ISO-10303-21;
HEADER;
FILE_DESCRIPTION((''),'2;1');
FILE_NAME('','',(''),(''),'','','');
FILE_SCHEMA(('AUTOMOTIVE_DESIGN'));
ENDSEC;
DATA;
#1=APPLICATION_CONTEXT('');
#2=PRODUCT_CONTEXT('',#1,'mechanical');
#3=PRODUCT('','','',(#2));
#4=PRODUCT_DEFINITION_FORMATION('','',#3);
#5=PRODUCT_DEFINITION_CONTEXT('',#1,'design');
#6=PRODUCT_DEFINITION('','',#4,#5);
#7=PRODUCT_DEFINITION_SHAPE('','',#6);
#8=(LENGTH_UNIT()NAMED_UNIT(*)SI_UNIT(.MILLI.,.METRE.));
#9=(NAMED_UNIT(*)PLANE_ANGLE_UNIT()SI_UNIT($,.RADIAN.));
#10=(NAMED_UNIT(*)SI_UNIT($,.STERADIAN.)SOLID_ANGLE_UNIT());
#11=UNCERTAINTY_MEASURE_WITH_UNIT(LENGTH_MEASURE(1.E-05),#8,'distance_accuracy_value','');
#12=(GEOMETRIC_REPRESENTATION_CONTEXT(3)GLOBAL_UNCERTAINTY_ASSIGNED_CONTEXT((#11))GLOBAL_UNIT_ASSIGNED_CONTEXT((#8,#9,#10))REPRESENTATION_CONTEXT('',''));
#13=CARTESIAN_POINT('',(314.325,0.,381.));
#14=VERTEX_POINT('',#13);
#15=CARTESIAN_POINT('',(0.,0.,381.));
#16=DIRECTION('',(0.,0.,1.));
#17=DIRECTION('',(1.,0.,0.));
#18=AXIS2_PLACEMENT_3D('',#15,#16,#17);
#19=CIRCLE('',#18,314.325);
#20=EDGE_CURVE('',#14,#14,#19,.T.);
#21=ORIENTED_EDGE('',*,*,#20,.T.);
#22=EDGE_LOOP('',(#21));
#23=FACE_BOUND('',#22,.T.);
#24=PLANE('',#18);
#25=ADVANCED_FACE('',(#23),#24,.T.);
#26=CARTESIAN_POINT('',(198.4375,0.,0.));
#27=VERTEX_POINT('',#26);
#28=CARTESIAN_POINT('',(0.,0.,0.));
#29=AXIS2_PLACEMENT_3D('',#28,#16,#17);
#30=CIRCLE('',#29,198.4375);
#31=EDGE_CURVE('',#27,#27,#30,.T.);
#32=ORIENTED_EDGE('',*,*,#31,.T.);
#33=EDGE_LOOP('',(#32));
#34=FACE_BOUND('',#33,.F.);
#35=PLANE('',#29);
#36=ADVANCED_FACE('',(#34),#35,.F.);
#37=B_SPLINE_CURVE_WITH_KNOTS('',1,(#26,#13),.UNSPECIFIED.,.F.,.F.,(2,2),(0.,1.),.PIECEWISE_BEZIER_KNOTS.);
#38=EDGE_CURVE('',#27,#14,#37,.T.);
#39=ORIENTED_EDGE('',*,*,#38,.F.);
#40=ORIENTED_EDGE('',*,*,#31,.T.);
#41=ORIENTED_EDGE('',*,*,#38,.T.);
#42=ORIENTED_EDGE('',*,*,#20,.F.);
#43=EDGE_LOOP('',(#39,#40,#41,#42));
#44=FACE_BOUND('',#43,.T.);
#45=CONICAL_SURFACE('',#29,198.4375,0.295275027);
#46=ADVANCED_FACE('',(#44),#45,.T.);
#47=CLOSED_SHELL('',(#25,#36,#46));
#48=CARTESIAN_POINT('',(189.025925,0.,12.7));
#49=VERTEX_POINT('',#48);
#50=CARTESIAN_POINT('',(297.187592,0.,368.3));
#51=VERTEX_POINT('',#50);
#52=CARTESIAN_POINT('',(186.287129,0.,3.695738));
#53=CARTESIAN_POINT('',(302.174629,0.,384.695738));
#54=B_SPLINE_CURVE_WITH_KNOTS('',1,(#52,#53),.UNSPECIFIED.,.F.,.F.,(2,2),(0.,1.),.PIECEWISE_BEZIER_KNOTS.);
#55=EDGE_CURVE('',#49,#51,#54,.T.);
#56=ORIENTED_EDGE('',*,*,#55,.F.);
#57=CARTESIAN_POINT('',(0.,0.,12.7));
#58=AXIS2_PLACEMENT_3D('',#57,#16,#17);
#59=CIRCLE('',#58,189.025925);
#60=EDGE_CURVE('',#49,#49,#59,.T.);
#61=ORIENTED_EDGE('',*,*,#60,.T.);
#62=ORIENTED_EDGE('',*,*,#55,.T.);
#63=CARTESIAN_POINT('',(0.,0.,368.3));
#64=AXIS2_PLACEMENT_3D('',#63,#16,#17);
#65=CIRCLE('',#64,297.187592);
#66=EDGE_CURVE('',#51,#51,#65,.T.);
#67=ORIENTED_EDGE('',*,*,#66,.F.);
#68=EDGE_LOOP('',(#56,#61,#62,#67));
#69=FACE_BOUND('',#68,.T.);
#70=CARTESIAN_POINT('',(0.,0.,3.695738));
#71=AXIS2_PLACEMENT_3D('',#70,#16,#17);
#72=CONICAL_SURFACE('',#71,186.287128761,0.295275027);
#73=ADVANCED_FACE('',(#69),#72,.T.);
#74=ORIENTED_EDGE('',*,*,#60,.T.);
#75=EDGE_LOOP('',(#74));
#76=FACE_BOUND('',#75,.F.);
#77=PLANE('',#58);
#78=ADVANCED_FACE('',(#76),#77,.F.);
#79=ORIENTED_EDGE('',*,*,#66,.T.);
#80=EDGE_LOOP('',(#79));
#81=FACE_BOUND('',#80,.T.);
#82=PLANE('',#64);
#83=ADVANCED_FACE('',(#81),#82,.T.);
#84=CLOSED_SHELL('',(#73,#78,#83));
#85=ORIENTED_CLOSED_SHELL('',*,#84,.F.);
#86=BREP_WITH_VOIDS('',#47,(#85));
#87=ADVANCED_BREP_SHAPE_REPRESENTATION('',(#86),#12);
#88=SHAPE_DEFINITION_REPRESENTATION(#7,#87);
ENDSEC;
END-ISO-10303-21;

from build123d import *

# Parameters (mm, degrees)
F0_R = 198.4375
F2_R = 314.325
F4_T = -12.7


with BuildPart() as f3:
    # F0 (on Top) → F3 section 0
    with BuildSketch(Plane.XY):
        Circle(F0_R)
    # F2 (on offset) → F3 section 1
    with BuildSketch(Plane.XY.offset(381)):
        Circle(F2_R)
    loft()

    # F4 (hollow: no face is removed)
    offset(amount=F4_T, mode=Mode.SUBTRACT)


solid = f3.part
